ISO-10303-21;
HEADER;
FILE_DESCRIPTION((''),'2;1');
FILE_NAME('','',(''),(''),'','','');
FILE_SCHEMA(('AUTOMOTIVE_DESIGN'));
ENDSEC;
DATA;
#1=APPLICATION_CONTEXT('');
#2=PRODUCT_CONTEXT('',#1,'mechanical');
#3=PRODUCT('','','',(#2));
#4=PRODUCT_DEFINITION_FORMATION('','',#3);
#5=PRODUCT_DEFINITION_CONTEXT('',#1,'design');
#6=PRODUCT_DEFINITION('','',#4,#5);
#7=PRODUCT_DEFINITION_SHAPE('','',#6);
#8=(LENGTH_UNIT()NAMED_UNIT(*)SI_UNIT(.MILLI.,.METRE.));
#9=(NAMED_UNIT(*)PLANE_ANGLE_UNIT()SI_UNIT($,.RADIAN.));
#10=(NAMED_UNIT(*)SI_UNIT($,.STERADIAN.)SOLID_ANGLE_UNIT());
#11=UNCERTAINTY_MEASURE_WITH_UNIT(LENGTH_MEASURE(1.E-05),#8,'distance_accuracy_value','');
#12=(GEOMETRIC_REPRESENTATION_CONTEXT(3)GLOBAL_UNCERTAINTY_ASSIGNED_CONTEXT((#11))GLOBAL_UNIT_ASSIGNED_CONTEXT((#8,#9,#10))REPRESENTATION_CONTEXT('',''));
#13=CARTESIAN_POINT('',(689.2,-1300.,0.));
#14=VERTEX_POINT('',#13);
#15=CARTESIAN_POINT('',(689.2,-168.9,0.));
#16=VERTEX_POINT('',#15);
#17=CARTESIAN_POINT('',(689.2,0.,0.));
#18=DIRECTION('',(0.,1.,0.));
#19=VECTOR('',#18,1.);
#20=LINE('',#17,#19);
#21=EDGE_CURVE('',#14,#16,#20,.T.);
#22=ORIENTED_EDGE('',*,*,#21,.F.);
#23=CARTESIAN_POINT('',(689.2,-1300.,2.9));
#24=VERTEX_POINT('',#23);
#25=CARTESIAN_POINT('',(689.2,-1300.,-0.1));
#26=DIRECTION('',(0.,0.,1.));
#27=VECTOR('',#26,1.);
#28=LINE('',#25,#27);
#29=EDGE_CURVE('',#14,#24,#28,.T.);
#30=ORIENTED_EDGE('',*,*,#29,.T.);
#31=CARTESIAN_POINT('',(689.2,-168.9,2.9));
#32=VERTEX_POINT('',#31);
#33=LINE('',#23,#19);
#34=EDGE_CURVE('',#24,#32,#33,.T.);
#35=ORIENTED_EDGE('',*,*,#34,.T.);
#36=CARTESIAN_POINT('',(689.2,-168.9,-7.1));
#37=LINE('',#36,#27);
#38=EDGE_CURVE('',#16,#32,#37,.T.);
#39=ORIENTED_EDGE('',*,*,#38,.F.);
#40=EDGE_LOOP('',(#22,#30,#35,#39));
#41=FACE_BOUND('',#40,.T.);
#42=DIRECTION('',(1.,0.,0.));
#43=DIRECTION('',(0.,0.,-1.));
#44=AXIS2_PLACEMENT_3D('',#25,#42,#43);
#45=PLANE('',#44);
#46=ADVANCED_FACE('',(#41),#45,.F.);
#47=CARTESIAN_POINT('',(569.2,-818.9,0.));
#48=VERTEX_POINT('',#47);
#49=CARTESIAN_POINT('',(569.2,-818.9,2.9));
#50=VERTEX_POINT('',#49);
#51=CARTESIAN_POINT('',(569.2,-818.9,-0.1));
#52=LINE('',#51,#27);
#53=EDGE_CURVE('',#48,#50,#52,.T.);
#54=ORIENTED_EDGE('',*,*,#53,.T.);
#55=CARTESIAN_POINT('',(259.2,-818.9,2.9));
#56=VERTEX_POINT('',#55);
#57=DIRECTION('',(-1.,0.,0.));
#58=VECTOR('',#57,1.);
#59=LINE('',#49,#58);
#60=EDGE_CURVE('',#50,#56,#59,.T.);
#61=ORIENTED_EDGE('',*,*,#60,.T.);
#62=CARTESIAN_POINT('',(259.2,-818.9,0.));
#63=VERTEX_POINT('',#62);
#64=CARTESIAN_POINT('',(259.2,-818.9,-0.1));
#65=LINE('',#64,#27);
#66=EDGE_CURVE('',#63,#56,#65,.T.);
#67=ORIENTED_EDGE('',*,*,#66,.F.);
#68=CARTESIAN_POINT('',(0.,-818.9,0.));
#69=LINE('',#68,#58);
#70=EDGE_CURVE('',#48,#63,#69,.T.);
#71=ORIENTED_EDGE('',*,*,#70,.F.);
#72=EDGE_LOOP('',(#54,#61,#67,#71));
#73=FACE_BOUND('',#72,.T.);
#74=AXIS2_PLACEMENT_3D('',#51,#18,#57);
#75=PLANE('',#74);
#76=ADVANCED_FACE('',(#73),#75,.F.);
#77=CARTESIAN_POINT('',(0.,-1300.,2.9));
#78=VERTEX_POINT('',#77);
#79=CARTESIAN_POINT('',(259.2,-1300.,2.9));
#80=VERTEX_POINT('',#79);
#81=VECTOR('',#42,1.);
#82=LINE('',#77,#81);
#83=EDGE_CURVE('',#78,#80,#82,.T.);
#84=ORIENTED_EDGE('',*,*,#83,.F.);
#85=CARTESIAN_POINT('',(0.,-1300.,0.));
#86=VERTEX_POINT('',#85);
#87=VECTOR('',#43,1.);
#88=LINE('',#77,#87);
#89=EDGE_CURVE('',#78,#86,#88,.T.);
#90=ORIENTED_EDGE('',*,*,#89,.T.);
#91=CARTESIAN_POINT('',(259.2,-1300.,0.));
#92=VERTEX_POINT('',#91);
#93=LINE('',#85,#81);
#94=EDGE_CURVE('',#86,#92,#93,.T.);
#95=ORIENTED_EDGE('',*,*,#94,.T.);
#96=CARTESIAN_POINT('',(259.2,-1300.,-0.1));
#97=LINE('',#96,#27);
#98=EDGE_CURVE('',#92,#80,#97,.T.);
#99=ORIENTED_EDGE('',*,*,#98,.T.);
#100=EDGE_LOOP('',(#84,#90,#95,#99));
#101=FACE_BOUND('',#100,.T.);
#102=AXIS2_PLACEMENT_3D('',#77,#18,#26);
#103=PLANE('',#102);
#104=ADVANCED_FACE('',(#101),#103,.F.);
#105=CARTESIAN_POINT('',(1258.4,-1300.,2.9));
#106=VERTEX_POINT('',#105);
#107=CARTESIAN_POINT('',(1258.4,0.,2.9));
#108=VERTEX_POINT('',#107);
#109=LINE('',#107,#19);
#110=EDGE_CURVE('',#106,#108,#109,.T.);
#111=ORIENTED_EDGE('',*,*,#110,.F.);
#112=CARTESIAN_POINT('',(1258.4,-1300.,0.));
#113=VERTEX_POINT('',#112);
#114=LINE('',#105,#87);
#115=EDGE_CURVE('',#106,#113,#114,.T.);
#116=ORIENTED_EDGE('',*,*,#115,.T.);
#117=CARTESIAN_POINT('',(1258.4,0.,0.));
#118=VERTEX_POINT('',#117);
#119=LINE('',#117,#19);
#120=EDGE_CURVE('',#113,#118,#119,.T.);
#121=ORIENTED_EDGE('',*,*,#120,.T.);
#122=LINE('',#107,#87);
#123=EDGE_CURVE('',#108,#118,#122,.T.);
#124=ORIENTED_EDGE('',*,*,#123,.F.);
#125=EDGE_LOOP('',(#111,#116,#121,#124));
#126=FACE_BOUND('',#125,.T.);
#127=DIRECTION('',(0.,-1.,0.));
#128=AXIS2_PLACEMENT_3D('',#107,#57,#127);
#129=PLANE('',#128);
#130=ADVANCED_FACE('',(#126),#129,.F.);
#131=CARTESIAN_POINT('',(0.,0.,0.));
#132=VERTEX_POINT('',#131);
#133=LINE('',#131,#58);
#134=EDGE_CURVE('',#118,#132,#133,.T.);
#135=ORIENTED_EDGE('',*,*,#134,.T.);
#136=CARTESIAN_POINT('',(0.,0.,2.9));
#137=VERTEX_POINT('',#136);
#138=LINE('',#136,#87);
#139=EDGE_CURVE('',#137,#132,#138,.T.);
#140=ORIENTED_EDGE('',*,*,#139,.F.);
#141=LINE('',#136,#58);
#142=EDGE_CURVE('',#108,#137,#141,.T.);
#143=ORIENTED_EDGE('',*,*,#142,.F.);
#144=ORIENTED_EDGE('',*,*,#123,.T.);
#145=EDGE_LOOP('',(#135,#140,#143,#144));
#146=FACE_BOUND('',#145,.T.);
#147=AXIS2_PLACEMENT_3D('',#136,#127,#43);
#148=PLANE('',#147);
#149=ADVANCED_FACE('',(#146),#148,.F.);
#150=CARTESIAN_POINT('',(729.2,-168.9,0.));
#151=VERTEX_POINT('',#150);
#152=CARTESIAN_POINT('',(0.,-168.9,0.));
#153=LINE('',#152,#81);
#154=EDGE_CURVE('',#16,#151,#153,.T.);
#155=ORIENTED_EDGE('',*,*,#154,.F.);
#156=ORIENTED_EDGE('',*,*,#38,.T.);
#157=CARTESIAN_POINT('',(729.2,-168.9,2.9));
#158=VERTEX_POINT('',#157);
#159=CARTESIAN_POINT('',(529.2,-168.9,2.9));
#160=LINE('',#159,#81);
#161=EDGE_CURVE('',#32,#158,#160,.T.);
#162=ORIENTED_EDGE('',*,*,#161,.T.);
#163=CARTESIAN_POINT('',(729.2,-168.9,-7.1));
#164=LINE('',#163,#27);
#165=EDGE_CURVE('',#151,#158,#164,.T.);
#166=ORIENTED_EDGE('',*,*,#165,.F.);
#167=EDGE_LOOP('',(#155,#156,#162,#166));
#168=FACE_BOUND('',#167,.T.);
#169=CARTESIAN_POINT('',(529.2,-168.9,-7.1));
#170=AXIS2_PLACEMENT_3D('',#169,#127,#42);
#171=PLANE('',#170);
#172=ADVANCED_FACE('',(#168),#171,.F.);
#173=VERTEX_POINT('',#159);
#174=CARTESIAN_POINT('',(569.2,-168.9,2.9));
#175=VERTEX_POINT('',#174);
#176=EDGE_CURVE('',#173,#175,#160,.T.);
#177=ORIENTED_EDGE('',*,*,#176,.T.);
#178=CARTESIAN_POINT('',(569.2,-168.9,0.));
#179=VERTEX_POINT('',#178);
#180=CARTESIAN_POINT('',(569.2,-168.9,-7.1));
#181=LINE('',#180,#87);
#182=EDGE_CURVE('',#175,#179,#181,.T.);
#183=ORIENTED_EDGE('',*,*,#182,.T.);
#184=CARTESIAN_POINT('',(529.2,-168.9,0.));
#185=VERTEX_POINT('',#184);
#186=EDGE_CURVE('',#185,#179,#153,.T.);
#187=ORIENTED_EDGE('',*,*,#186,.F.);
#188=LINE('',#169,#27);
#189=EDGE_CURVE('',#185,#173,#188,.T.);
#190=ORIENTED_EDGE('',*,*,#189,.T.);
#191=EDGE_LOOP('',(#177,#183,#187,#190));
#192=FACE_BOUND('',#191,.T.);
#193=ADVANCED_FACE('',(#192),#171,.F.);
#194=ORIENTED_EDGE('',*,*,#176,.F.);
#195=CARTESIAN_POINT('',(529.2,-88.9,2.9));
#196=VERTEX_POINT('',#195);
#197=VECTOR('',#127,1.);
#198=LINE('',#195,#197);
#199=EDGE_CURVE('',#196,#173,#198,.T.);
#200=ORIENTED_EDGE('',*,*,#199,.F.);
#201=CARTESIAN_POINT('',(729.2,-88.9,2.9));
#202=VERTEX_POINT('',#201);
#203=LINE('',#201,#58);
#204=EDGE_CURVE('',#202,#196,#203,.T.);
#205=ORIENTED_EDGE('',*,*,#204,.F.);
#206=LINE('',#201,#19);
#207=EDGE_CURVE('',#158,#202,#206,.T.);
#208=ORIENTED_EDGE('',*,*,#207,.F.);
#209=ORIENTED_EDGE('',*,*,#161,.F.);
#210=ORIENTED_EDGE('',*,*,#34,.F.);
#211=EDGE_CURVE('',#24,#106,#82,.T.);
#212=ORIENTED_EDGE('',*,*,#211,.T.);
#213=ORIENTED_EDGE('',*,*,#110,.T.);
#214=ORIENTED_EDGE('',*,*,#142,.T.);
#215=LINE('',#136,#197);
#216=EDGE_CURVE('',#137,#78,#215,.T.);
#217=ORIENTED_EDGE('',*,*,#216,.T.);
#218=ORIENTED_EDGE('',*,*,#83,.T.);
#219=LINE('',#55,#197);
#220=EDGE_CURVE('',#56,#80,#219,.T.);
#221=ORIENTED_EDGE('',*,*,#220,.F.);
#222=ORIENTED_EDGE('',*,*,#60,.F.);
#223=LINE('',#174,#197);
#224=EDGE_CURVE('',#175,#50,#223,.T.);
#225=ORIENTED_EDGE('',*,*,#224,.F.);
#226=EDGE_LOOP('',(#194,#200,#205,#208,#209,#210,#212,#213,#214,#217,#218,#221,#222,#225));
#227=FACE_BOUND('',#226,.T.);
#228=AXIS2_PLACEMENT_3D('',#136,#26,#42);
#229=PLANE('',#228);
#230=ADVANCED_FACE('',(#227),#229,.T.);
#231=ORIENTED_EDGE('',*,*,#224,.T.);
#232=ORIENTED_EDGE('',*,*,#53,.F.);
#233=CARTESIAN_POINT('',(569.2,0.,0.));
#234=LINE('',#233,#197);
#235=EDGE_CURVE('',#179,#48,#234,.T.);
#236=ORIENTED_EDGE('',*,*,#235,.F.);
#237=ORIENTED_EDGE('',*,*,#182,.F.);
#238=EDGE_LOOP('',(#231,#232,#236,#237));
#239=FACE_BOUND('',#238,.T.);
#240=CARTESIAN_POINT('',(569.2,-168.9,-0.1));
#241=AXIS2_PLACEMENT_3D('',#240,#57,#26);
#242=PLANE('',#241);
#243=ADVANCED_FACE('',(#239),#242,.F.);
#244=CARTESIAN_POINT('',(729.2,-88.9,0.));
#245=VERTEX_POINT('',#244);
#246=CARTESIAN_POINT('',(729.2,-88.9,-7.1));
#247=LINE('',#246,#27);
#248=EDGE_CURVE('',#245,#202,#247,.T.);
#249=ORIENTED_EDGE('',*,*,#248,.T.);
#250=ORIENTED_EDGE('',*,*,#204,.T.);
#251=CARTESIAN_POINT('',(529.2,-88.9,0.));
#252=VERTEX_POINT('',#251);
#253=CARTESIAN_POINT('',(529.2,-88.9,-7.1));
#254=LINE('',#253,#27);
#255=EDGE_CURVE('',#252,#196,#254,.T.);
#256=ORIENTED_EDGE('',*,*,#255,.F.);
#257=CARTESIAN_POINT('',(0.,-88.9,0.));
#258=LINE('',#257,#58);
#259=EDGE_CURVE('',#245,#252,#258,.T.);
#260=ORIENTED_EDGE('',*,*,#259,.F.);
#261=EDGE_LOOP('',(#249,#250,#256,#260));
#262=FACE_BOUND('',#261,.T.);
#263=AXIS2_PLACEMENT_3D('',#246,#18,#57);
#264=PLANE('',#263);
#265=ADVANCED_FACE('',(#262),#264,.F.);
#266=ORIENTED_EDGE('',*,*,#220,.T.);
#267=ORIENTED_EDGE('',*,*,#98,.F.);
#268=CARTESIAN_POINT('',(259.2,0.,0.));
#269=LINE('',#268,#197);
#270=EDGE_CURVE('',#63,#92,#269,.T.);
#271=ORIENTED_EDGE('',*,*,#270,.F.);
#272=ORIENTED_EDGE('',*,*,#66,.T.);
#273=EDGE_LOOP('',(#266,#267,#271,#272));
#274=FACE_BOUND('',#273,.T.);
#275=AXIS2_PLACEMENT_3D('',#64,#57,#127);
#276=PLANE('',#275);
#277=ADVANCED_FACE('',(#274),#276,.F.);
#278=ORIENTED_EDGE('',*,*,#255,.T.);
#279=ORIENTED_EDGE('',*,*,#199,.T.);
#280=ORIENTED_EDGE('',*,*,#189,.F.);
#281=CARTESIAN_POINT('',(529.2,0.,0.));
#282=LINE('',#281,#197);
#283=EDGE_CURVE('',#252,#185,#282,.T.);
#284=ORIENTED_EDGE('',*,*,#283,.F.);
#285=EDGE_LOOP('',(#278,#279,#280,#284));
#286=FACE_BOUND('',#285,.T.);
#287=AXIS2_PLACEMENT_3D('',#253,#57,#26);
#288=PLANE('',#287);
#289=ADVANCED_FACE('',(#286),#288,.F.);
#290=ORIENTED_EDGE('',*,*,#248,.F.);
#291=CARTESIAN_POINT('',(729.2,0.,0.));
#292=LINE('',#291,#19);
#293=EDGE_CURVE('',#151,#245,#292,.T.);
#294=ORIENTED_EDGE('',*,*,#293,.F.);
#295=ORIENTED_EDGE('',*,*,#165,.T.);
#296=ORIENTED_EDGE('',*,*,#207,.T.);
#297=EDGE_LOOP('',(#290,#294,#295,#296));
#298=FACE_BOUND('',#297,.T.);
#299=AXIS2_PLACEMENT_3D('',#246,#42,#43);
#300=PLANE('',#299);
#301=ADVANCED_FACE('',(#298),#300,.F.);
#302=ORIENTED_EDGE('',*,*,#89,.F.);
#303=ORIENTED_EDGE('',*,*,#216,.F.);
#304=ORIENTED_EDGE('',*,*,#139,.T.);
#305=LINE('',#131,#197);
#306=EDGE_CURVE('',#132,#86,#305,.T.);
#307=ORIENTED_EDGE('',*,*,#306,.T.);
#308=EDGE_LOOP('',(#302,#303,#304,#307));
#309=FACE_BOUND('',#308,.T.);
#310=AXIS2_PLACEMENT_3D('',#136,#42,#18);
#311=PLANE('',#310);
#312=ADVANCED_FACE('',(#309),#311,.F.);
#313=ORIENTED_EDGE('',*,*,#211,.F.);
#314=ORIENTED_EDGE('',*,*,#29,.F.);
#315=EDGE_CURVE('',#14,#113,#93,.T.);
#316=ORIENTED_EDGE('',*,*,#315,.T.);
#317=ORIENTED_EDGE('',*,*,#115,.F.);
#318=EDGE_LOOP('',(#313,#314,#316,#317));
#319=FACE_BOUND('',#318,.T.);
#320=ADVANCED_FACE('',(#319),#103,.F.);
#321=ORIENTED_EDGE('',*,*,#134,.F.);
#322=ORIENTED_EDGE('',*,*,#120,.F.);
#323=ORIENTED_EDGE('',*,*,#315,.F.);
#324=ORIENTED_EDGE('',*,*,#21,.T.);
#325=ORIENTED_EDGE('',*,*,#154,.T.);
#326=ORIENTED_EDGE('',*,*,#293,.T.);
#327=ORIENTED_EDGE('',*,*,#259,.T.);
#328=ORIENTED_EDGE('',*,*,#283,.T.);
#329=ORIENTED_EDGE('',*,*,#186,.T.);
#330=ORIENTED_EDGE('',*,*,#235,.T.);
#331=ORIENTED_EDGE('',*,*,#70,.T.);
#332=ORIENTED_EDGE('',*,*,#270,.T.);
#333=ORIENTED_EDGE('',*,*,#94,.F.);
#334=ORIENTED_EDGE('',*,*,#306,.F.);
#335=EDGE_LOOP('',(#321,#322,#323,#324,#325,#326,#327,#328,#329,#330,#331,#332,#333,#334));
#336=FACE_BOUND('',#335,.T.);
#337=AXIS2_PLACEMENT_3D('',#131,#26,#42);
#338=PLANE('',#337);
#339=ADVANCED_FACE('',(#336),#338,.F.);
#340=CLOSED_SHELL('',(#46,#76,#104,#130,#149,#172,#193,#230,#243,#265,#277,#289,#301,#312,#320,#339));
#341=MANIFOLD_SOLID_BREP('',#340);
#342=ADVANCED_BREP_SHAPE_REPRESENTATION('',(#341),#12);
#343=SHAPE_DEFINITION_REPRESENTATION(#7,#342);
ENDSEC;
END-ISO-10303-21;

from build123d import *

# Parameters (mm, degrees)
CROQUIS1_W              = 1258.4
CROQUIS1_H              = 1300
SALIENTE_EXTRUIR1_DEPTH = 2.9
CROQUIS2_W              = 200
CROQUIS2_H              = 80
CORTAR_EXTRUIR1_DEPTH   = 10
CORTAR_EXTRUIR2_DEPTH   = 3


with BuildPart() as part:
    # Croquis1 → Saliente-Extruir1 (new body)
    with BuildSketch(Plane.XY):
        with Locations((629.2, -650)):
            Rectangle(CROQUIS1_W, CROQUIS1_H)
    extrude(amount=SALIENTE_EXTRUIR1_DEPTH)

    # Croquis2 → Cortar-Extruir1 (cut)
    with BuildSketch(Plane.XY.offset(2.9)):
        with Locations((629.2, -128.9)):
            Rectangle(CROQUIS2_W, CROQUIS2_H)
    extrude(amount=-CORTAR_EXTRUIR1_DEPTH, mode=Mode.SUBTRACT)

    # Croquis3 → Cortar-Extruir2 (cut)
    with BuildSketch(Plane.XY.offset(2.9)):
        Polygon((569.2, -168.9), (569.2, -818.9), (259.2, -818.9), (259.2, -1300), (689.2, -1300), (689.2, -168.9), align=None)
    extrude(amount=-CORTAR_EXTRUIR2_DEPTH, mode=Mode.SUBTRACT)


solid = part.part
